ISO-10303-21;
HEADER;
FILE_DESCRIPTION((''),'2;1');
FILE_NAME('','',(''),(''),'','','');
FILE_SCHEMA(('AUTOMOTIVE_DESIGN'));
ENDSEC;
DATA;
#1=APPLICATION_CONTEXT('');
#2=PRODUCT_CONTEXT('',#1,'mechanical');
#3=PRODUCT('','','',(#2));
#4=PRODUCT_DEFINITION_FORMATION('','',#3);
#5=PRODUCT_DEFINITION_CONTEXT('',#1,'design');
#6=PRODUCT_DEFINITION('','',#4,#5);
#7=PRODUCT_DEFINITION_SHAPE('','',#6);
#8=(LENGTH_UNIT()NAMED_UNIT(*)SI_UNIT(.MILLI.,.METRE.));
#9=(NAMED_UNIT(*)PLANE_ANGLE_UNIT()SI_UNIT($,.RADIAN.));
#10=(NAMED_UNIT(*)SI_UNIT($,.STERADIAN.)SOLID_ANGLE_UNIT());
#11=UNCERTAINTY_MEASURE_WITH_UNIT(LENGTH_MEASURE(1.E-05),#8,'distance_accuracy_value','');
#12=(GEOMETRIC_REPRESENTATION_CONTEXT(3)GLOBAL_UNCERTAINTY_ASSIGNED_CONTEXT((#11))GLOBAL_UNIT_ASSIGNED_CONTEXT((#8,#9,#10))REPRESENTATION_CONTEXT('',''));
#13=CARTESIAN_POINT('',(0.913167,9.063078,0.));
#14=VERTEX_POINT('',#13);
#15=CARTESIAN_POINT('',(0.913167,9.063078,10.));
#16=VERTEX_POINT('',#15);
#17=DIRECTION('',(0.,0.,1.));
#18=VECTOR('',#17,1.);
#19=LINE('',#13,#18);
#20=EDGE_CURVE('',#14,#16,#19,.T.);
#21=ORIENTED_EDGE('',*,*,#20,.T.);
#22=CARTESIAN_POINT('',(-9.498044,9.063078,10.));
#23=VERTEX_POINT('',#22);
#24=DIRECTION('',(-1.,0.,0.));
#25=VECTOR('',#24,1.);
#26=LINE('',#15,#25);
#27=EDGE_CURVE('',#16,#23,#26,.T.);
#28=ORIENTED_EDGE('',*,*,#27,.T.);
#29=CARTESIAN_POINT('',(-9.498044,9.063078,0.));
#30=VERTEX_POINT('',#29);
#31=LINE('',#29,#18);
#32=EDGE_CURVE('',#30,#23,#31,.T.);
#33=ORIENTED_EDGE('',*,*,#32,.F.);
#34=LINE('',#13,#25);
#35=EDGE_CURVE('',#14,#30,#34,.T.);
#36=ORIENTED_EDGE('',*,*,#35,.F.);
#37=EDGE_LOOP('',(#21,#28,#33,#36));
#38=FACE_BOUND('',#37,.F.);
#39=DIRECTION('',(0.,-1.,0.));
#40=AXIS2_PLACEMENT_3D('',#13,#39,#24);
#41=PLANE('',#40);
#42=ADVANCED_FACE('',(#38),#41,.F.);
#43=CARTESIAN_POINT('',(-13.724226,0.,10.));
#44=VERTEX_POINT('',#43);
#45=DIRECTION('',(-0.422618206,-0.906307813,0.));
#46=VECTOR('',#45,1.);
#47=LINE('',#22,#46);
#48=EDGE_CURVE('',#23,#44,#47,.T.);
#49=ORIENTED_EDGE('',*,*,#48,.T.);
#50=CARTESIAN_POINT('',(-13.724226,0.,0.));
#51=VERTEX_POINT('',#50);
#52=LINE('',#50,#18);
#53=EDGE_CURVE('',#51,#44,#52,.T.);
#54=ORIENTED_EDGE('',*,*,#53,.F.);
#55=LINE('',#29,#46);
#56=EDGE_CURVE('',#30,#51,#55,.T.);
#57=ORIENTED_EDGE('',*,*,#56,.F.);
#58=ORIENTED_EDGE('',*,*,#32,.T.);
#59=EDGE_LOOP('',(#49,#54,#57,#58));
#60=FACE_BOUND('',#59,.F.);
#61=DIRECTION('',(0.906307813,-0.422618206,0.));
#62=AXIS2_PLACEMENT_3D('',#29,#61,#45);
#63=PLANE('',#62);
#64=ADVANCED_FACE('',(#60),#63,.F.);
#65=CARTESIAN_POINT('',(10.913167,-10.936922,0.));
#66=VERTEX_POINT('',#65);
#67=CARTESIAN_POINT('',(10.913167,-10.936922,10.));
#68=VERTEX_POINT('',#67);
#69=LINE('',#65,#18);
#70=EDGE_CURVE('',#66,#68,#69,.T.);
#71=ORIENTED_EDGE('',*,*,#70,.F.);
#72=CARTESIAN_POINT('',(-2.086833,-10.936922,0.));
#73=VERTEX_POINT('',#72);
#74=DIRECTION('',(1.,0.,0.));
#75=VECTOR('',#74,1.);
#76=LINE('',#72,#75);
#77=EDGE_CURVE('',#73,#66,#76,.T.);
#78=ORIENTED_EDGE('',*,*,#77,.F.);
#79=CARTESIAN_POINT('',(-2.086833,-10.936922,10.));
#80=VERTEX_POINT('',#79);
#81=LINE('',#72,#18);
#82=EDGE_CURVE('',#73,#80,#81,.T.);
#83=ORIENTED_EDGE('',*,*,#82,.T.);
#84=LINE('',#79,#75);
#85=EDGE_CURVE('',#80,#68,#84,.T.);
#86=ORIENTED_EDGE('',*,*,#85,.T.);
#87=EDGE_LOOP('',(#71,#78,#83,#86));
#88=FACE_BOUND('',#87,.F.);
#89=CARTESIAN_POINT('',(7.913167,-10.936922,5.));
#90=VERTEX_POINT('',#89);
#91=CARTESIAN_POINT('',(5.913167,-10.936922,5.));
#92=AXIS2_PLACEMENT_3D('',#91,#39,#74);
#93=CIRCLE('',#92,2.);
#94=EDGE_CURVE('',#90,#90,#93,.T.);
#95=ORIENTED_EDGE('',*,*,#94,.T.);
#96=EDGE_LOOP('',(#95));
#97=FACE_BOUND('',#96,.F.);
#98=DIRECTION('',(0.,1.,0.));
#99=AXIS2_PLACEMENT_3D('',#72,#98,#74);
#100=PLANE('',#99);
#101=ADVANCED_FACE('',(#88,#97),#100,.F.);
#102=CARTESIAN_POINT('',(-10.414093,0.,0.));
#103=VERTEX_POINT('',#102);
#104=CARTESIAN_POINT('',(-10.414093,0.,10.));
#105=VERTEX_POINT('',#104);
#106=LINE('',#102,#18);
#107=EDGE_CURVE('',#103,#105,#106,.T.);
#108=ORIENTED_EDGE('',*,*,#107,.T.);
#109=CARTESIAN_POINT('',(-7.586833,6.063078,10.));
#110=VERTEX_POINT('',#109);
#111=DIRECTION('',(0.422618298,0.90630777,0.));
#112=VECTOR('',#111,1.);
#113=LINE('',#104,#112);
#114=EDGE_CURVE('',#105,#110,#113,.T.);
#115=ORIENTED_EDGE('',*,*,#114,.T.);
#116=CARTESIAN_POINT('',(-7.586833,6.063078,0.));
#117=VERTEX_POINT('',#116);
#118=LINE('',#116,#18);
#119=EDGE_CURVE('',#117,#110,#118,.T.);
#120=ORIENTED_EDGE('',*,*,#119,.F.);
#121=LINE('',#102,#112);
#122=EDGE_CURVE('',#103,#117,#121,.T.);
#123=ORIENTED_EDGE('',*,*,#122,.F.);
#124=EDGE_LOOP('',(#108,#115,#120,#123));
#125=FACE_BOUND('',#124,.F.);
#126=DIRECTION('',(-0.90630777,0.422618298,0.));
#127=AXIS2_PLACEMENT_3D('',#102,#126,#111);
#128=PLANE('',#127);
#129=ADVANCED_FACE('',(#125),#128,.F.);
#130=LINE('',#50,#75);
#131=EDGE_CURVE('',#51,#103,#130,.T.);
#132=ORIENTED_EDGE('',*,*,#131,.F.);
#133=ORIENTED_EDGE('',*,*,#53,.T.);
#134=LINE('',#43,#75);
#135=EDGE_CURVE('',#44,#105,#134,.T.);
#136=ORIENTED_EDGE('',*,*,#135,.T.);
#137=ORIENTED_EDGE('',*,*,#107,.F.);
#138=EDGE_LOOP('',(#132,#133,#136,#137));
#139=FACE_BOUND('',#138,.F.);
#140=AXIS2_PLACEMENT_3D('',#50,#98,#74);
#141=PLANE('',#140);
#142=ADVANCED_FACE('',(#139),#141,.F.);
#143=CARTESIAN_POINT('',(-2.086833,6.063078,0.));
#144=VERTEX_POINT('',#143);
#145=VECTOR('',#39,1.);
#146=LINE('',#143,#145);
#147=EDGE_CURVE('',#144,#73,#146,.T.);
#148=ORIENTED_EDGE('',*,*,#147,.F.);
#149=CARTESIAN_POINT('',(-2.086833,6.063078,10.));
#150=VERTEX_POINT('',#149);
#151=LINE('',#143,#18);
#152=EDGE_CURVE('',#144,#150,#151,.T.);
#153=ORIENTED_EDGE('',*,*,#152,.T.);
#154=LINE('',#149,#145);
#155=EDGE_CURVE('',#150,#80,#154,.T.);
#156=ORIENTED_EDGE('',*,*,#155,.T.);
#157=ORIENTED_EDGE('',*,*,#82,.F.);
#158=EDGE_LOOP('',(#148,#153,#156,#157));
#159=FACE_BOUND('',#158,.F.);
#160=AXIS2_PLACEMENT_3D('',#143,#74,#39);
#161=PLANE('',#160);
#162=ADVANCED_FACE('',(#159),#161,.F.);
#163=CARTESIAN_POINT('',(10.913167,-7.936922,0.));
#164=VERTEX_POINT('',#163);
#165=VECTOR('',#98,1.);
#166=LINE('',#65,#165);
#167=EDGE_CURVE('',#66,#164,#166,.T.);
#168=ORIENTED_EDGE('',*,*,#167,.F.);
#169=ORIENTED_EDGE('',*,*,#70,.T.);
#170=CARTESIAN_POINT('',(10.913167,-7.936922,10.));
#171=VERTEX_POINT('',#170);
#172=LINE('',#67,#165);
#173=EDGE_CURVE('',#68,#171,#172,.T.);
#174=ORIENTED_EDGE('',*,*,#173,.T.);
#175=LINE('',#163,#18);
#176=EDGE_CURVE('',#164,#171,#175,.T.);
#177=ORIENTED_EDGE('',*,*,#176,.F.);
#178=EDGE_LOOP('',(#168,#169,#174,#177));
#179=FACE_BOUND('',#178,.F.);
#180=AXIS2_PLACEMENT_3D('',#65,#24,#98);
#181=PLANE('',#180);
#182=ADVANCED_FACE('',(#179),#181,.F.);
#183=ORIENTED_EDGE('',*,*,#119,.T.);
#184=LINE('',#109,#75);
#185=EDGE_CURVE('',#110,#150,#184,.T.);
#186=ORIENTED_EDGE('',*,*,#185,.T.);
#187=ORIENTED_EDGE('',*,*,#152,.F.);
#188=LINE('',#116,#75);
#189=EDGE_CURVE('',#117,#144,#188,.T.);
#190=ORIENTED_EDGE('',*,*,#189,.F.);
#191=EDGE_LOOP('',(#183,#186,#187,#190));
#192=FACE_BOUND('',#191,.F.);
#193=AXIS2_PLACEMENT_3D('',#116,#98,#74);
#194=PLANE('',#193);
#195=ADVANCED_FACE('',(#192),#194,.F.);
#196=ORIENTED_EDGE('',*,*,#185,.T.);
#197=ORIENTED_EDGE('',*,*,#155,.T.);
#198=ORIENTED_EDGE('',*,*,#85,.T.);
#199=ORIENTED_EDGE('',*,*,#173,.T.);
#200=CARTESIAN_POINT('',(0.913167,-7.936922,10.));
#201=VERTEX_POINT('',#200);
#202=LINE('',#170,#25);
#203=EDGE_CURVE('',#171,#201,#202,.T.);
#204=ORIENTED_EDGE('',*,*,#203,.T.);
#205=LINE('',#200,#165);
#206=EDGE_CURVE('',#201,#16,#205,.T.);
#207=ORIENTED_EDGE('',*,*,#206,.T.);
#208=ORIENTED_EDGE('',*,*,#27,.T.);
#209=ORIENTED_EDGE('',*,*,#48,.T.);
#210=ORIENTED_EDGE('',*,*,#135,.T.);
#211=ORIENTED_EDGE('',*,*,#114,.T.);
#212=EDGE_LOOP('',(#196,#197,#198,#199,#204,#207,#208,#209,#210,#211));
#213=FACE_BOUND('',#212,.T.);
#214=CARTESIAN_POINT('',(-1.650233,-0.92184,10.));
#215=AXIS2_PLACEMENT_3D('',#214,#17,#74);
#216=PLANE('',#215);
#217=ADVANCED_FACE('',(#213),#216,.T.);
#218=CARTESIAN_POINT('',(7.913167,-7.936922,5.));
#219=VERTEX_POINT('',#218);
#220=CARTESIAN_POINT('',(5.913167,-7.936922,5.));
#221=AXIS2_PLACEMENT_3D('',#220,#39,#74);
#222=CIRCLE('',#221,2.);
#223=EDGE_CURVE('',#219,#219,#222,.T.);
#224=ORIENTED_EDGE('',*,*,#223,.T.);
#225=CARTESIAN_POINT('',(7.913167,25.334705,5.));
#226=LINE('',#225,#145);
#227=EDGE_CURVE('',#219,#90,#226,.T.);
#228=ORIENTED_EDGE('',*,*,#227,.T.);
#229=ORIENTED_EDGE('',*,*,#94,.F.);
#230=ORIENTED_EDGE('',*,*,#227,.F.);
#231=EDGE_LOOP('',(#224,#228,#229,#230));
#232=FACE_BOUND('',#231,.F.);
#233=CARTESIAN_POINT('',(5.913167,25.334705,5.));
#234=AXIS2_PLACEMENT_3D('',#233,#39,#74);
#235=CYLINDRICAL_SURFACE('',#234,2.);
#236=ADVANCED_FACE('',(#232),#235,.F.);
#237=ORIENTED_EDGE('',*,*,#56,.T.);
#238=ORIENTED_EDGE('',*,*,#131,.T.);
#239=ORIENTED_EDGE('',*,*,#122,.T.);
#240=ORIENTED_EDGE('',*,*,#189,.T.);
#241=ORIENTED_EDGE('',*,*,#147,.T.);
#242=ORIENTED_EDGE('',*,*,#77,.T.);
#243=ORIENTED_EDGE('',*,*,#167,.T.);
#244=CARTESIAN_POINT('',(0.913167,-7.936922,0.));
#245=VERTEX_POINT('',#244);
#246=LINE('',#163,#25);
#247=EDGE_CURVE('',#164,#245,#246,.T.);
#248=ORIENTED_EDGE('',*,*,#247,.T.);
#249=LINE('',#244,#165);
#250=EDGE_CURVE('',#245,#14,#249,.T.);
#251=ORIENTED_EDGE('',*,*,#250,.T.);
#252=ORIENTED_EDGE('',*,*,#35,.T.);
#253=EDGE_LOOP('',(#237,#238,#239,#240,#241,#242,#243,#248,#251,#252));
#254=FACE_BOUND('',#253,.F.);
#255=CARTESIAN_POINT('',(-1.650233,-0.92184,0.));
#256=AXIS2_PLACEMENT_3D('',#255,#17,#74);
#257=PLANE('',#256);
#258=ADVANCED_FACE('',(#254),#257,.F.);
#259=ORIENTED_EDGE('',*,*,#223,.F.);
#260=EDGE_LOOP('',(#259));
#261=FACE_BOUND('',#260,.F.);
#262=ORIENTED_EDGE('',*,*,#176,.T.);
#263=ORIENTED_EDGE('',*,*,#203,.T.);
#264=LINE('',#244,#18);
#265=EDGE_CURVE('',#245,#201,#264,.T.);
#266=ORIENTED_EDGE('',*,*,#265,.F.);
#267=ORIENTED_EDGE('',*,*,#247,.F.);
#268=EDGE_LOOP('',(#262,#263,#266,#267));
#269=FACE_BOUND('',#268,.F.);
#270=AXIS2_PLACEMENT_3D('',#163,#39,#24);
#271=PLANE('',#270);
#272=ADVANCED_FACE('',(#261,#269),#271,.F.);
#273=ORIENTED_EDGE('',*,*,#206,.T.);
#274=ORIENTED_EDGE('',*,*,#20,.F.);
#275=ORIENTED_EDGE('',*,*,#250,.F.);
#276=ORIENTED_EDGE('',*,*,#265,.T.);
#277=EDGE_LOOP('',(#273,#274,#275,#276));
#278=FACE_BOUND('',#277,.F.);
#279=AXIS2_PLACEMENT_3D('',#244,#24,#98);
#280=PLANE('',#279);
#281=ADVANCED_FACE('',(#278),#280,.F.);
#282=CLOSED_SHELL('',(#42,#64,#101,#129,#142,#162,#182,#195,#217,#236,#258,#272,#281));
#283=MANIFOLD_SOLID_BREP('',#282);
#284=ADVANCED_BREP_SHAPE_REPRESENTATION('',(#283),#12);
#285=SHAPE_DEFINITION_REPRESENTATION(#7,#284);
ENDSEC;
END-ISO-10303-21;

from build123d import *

# Parameters (mm, degrees)
F1_DEPTH = 10
F3_D     = 4


with BuildPart() as f1:
    # F0 (on Top) → F1 (new body)
    with BuildSketch(Plane.XY):
        Polygon((-2.086833, -10.936922), (10.913167, -10.936922), (10.913167, -7.936922), (0.913167, -7.936922), (0.913167, 9.063078), (-9.498044, 9.063078), (-13.724226, 0), (-10.414093, 0), (-7.586833, 6.063078), (-2.086833, 6.063078), align=None)
    extrude(amount=F1_DEPTH)

    # F3 (through all)
    with Locations(Plane(origin=(0, -7.936922, 0), x_dir=(-1, 0, 0), z_dir=(0, 1, 0))):
        with Locations((-5.913167, 5)):
            Hole(F3_D / 2)


solid = f1.part
